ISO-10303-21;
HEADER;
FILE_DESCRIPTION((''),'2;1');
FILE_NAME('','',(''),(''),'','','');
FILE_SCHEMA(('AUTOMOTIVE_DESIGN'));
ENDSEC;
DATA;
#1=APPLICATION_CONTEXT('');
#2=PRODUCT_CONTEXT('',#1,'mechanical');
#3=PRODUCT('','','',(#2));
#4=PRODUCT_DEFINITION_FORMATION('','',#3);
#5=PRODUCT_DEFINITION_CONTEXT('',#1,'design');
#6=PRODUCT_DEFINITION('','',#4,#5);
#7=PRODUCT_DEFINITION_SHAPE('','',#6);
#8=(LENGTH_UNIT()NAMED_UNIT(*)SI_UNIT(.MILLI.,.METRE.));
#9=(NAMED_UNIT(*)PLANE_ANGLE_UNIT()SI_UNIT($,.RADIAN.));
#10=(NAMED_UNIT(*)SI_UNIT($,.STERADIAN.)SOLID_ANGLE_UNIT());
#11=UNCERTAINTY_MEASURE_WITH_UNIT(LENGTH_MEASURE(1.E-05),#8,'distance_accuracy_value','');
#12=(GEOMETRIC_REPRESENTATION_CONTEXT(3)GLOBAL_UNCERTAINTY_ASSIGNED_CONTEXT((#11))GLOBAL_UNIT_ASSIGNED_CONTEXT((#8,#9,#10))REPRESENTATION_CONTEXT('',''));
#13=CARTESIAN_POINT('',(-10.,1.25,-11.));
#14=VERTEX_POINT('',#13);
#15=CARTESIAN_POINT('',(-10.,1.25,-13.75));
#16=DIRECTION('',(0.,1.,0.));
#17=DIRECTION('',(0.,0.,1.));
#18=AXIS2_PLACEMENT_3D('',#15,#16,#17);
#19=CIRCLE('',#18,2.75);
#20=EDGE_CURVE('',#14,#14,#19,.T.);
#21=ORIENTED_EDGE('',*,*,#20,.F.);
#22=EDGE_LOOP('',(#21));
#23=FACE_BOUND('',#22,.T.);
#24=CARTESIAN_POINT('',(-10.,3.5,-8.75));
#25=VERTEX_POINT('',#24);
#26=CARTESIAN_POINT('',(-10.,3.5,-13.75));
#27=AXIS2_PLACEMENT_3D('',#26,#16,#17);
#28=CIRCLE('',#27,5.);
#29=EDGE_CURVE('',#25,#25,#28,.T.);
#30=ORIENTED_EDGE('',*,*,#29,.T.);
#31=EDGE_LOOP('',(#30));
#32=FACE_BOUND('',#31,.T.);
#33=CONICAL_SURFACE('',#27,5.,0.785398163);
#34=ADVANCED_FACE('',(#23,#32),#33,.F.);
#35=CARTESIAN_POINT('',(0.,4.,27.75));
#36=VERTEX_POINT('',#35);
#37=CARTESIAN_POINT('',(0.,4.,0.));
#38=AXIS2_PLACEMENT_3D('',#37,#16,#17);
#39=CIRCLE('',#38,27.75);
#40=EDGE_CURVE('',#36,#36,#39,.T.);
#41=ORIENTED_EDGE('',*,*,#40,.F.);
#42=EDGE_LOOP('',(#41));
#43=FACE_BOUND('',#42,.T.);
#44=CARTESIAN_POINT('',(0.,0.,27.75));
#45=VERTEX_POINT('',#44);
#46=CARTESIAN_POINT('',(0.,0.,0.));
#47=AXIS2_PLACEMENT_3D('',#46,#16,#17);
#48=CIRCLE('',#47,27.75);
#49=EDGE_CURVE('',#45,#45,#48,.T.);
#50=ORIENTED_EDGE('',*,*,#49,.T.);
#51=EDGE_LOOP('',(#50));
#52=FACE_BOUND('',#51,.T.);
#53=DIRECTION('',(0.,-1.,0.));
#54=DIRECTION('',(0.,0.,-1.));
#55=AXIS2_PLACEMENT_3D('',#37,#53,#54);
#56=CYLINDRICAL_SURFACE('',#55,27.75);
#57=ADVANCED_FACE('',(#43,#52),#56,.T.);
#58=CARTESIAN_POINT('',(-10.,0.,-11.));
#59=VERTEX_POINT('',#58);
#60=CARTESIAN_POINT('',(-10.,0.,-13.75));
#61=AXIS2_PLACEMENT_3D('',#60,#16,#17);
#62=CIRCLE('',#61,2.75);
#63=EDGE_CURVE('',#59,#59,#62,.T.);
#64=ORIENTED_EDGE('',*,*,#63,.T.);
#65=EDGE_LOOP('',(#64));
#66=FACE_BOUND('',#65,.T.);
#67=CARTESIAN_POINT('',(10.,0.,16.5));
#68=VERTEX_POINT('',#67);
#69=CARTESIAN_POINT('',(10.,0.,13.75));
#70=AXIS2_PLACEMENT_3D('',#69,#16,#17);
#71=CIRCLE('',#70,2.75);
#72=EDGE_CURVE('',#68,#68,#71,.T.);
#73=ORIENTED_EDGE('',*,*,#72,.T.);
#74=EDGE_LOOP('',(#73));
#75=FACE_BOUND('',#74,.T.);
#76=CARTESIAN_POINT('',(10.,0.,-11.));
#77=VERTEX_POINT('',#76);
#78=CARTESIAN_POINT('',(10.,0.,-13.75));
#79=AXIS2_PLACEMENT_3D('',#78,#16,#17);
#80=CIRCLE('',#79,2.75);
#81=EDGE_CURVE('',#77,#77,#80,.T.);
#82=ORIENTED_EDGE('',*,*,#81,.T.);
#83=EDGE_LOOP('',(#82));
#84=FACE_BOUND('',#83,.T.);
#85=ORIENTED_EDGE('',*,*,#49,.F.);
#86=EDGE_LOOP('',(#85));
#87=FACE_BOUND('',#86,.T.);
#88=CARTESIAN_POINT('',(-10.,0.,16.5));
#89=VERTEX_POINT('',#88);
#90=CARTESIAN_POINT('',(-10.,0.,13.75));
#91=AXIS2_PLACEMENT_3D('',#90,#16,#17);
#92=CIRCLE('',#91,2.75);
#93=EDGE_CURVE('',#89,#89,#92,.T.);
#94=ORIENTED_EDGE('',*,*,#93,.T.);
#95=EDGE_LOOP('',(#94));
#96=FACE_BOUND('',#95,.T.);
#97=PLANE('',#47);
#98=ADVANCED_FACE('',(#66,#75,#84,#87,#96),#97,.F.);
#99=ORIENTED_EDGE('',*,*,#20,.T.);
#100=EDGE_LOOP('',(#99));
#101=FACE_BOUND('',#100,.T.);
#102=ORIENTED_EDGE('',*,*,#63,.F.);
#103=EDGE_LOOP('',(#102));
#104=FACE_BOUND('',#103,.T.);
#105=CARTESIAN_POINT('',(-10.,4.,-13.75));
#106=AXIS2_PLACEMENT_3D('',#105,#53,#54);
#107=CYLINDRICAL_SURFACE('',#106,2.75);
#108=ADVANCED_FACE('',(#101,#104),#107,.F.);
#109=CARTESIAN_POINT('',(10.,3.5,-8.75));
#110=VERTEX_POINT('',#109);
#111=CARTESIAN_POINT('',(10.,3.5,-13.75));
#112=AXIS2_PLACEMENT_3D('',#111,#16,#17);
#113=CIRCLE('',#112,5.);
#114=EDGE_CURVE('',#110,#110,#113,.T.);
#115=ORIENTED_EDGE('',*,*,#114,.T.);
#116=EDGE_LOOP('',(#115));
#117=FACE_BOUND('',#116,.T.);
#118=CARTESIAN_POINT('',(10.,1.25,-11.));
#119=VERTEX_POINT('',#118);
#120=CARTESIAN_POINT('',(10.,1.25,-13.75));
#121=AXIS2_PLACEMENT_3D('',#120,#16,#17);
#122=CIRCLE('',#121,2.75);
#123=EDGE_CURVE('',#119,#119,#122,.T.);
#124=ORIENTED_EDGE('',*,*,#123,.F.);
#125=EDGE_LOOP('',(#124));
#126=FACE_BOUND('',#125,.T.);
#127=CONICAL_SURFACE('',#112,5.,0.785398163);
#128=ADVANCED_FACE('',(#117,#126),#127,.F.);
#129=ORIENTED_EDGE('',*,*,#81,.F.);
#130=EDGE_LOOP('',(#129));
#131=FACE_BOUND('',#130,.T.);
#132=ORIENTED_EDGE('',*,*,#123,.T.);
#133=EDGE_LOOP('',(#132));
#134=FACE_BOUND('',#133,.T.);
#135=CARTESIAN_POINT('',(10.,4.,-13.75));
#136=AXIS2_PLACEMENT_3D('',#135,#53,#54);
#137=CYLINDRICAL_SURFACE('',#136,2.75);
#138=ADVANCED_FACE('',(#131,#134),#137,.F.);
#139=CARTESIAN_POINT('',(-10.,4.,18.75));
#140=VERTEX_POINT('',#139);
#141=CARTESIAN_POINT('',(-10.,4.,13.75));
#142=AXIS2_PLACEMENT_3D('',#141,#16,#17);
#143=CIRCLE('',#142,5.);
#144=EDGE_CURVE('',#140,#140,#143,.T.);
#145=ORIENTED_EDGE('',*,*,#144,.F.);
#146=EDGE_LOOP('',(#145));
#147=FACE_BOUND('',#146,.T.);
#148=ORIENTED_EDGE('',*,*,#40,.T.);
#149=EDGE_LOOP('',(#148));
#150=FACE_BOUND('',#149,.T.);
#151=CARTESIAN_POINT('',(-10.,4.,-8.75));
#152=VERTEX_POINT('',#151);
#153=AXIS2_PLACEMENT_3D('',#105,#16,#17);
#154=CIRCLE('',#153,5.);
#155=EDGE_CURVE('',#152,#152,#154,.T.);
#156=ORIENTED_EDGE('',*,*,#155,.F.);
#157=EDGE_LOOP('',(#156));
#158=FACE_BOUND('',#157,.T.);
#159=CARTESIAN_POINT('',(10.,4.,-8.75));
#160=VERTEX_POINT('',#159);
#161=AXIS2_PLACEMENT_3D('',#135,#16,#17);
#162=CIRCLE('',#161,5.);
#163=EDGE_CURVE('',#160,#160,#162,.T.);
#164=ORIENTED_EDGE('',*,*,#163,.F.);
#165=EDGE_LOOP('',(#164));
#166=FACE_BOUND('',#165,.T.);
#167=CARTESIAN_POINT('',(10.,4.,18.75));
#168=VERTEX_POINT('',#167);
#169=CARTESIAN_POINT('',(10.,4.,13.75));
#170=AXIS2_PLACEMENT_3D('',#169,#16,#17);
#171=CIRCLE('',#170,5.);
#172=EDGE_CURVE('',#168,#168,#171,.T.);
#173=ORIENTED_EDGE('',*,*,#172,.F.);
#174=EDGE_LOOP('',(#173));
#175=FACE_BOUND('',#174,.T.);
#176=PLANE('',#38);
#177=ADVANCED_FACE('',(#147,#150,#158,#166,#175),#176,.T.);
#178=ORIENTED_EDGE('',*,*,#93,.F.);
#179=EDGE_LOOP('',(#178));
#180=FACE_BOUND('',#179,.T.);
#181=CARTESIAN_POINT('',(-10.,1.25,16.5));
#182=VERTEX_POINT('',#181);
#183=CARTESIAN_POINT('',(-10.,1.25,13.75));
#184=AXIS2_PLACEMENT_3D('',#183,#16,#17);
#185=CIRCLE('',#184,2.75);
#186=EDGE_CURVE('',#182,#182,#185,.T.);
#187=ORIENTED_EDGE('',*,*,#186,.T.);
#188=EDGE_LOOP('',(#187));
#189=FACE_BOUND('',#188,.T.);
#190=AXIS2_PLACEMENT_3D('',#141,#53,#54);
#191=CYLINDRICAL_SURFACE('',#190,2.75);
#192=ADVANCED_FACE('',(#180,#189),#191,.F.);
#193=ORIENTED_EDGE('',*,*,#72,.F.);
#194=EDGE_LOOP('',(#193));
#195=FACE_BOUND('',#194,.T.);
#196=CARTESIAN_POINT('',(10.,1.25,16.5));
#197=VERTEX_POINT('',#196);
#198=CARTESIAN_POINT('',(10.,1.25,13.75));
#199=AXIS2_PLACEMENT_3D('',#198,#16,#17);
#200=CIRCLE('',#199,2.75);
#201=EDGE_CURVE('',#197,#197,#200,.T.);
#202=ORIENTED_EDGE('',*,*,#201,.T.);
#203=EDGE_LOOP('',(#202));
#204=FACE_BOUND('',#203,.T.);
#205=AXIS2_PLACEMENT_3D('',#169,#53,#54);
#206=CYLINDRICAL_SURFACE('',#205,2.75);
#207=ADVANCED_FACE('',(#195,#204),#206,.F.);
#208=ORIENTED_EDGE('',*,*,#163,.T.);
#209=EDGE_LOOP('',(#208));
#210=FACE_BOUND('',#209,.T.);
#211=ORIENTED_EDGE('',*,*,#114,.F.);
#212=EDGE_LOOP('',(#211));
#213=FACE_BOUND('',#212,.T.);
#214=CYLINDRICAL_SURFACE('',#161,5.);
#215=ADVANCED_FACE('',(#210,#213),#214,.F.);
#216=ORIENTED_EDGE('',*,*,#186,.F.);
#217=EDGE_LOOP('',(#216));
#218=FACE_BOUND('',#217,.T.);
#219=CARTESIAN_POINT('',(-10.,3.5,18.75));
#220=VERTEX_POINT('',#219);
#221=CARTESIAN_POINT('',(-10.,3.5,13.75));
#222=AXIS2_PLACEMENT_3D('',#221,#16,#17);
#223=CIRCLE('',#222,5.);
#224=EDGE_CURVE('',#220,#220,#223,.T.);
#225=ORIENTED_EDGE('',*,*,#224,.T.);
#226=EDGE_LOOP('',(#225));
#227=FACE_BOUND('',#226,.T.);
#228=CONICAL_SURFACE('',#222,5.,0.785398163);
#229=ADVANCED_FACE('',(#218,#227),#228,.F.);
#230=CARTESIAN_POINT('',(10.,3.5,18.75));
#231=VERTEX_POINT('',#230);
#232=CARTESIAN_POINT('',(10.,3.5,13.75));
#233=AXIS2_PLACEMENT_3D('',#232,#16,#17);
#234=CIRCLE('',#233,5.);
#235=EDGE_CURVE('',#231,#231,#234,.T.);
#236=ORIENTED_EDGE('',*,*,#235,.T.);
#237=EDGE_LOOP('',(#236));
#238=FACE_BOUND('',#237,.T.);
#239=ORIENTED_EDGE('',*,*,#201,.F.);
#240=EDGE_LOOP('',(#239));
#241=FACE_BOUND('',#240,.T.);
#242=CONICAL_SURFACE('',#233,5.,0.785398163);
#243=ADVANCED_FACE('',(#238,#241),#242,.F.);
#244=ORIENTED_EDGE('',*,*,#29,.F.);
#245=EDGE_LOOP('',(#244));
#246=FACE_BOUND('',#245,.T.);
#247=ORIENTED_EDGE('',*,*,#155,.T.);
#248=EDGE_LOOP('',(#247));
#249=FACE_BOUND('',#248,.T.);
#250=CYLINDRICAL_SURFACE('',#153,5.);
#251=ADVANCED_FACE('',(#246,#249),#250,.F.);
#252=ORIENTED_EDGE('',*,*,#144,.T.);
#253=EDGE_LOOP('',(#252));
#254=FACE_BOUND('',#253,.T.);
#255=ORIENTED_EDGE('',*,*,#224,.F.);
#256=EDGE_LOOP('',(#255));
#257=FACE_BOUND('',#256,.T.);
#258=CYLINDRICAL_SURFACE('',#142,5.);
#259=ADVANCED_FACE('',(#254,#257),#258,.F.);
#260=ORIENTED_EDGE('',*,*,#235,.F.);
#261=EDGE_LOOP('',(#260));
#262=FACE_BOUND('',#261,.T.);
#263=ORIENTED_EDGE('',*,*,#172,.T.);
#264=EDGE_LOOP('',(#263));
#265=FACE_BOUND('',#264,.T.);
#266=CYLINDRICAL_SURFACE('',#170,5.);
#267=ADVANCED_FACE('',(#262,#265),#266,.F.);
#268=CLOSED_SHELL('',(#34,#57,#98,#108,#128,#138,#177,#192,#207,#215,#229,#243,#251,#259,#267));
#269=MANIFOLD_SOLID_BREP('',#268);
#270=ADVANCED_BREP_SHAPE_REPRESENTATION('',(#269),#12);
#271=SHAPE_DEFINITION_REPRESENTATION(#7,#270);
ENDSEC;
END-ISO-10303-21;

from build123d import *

# Parameters (mm, degrees)
SKETCH1_R                                      = 27.75
SKETCH1_R_2                                    = 2.75
BOSS_EXTRUDE1_DEPTH                            = 4
CSK_FOR_M5_FLAT_HEAD_MACHINE_SCREW1_AT_2_COUNT = 2
CSK_FOR_M5_FLAT_HEAD_MACHINE_SCREW1_AT_2_PITCH = 27.5
CSK_FOR_M5_FLAT_HEAD_MACHINE_SCREW1_AT_3_COUNT = 2
CSK_FOR_M5_FLAT_HEAD_MACHINE_SCREW1_AT_3_PITCH = 34.003676272
CSK_FOR_M5_FLAT_HEAD_MACHINE_SCREW1_AT_4_COUNT = 2
CSK_FOR_M5_FLAT_HEAD_MACHINE_SCREW1_AT_4_PITCH = 20


with BuildPart() as part:
    # Sketch1 → Boss-Extrude1 (new body)
    with BuildSketch(Plane(origin=(0, 0, 0), x_dir=(1, 0, 0), z_dir=(0, 1, 0))):
        with Locations(Location((0, 0, 0), (0, 0, 270))):
            Circle(SKETCH1_R)
        with Locations(Location((-10, 13.75, 0), (0, 0, 270))):
            Circle(SKETCH1_R_2, mode=Mode.SUBTRACT)
        with Locations(Location((10, 13.75, 0), (0, 0, 270))):
            Circle(SKETCH1_R_2, mode=Mode.SUBTRACT)
        with Locations(Location((10, -13.75, 0), (0, 0, 270))):
            Circle(SKETCH1_R_2, mode=Mode.SUBTRACT)
        with Locations(Location((-10, -13.75, 0), (0, 0, 270))):
            Circle(SKETCH1_R_2, mode=Mode.SUBTRACT)
    extrude(amount=BOSS_EXTRUDE1_DEPTH)

    # Sketch20 → CSK for M5 Flat Head Machine Screw1 (revolve, cut)
    with BuildSketch(Plane(origin=(10, 4, -13.75), x_dir=(0, 0, 1), z_dir=(1, 0, 0))):
        Polygon((0, 0), (0, 4), (2.75, 4), (2.75, 2.75), (5, 0.5), (5, 0), align=None)
    csk_for_m5_flat_head_machine_screw1 = revolve(axis=Axis((10, 10.35, -13.75), (0, -1, 0)), mode=Mode.SUBTRACT)

    # CSK for M5 Flat Head Machine Screw1 at 2: CSK for M5 Flat Head Machine Screw1 ×2
    with Locations(*[(0, 0, i * CSK_FOR_M5_FLAT_HEAD_MACHINE_SCREW1_AT_2_PITCH) for i in range(1, CSK_FOR_M5_FLAT_HEAD_MACHINE_SCREW1_AT_2_COUNT)]):
        add(csk_for_m5_flat_head_machine_screw1, mode=Mode.SUBTRACT)

    # CSK for M5 Flat Head Machine Screw1 at 3: CSK for M5 Flat Head Machine Screw1 ×2
    with Locations(*[Vector(-0.588171697675046, 0, 0.8087360843031888) * (i * CSK_FOR_M5_FLAT_HEAD_MACHINE_SCREW1_AT_3_PITCH) for i in range(1, CSK_FOR_M5_FLAT_HEAD_MACHINE_SCREW1_AT_3_COUNT)]):
        add(csk_for_m5_flat_head_machine_screw1, mode=Mode.SUBTRACT)

    # CSK for M5 Flat Head Machine Screw1 at 4: CSK for M5 Flat Head Machine Screw1 ×2
    with Locations(*[(-i * CSK_FOR_M5_FLAT_HEAD_MACHINE_SCREW1_AT_4_PITCH, 0, 0) for i in range(1, CSK_FOR_M5_FLAT_HEAD_MACHINE_SCREW1_AT_4_COUNT)]):
        add(csk_for_m5_flat_head_machine_screw1, mode=Mode.SUBTRACT)


solid = part.part
